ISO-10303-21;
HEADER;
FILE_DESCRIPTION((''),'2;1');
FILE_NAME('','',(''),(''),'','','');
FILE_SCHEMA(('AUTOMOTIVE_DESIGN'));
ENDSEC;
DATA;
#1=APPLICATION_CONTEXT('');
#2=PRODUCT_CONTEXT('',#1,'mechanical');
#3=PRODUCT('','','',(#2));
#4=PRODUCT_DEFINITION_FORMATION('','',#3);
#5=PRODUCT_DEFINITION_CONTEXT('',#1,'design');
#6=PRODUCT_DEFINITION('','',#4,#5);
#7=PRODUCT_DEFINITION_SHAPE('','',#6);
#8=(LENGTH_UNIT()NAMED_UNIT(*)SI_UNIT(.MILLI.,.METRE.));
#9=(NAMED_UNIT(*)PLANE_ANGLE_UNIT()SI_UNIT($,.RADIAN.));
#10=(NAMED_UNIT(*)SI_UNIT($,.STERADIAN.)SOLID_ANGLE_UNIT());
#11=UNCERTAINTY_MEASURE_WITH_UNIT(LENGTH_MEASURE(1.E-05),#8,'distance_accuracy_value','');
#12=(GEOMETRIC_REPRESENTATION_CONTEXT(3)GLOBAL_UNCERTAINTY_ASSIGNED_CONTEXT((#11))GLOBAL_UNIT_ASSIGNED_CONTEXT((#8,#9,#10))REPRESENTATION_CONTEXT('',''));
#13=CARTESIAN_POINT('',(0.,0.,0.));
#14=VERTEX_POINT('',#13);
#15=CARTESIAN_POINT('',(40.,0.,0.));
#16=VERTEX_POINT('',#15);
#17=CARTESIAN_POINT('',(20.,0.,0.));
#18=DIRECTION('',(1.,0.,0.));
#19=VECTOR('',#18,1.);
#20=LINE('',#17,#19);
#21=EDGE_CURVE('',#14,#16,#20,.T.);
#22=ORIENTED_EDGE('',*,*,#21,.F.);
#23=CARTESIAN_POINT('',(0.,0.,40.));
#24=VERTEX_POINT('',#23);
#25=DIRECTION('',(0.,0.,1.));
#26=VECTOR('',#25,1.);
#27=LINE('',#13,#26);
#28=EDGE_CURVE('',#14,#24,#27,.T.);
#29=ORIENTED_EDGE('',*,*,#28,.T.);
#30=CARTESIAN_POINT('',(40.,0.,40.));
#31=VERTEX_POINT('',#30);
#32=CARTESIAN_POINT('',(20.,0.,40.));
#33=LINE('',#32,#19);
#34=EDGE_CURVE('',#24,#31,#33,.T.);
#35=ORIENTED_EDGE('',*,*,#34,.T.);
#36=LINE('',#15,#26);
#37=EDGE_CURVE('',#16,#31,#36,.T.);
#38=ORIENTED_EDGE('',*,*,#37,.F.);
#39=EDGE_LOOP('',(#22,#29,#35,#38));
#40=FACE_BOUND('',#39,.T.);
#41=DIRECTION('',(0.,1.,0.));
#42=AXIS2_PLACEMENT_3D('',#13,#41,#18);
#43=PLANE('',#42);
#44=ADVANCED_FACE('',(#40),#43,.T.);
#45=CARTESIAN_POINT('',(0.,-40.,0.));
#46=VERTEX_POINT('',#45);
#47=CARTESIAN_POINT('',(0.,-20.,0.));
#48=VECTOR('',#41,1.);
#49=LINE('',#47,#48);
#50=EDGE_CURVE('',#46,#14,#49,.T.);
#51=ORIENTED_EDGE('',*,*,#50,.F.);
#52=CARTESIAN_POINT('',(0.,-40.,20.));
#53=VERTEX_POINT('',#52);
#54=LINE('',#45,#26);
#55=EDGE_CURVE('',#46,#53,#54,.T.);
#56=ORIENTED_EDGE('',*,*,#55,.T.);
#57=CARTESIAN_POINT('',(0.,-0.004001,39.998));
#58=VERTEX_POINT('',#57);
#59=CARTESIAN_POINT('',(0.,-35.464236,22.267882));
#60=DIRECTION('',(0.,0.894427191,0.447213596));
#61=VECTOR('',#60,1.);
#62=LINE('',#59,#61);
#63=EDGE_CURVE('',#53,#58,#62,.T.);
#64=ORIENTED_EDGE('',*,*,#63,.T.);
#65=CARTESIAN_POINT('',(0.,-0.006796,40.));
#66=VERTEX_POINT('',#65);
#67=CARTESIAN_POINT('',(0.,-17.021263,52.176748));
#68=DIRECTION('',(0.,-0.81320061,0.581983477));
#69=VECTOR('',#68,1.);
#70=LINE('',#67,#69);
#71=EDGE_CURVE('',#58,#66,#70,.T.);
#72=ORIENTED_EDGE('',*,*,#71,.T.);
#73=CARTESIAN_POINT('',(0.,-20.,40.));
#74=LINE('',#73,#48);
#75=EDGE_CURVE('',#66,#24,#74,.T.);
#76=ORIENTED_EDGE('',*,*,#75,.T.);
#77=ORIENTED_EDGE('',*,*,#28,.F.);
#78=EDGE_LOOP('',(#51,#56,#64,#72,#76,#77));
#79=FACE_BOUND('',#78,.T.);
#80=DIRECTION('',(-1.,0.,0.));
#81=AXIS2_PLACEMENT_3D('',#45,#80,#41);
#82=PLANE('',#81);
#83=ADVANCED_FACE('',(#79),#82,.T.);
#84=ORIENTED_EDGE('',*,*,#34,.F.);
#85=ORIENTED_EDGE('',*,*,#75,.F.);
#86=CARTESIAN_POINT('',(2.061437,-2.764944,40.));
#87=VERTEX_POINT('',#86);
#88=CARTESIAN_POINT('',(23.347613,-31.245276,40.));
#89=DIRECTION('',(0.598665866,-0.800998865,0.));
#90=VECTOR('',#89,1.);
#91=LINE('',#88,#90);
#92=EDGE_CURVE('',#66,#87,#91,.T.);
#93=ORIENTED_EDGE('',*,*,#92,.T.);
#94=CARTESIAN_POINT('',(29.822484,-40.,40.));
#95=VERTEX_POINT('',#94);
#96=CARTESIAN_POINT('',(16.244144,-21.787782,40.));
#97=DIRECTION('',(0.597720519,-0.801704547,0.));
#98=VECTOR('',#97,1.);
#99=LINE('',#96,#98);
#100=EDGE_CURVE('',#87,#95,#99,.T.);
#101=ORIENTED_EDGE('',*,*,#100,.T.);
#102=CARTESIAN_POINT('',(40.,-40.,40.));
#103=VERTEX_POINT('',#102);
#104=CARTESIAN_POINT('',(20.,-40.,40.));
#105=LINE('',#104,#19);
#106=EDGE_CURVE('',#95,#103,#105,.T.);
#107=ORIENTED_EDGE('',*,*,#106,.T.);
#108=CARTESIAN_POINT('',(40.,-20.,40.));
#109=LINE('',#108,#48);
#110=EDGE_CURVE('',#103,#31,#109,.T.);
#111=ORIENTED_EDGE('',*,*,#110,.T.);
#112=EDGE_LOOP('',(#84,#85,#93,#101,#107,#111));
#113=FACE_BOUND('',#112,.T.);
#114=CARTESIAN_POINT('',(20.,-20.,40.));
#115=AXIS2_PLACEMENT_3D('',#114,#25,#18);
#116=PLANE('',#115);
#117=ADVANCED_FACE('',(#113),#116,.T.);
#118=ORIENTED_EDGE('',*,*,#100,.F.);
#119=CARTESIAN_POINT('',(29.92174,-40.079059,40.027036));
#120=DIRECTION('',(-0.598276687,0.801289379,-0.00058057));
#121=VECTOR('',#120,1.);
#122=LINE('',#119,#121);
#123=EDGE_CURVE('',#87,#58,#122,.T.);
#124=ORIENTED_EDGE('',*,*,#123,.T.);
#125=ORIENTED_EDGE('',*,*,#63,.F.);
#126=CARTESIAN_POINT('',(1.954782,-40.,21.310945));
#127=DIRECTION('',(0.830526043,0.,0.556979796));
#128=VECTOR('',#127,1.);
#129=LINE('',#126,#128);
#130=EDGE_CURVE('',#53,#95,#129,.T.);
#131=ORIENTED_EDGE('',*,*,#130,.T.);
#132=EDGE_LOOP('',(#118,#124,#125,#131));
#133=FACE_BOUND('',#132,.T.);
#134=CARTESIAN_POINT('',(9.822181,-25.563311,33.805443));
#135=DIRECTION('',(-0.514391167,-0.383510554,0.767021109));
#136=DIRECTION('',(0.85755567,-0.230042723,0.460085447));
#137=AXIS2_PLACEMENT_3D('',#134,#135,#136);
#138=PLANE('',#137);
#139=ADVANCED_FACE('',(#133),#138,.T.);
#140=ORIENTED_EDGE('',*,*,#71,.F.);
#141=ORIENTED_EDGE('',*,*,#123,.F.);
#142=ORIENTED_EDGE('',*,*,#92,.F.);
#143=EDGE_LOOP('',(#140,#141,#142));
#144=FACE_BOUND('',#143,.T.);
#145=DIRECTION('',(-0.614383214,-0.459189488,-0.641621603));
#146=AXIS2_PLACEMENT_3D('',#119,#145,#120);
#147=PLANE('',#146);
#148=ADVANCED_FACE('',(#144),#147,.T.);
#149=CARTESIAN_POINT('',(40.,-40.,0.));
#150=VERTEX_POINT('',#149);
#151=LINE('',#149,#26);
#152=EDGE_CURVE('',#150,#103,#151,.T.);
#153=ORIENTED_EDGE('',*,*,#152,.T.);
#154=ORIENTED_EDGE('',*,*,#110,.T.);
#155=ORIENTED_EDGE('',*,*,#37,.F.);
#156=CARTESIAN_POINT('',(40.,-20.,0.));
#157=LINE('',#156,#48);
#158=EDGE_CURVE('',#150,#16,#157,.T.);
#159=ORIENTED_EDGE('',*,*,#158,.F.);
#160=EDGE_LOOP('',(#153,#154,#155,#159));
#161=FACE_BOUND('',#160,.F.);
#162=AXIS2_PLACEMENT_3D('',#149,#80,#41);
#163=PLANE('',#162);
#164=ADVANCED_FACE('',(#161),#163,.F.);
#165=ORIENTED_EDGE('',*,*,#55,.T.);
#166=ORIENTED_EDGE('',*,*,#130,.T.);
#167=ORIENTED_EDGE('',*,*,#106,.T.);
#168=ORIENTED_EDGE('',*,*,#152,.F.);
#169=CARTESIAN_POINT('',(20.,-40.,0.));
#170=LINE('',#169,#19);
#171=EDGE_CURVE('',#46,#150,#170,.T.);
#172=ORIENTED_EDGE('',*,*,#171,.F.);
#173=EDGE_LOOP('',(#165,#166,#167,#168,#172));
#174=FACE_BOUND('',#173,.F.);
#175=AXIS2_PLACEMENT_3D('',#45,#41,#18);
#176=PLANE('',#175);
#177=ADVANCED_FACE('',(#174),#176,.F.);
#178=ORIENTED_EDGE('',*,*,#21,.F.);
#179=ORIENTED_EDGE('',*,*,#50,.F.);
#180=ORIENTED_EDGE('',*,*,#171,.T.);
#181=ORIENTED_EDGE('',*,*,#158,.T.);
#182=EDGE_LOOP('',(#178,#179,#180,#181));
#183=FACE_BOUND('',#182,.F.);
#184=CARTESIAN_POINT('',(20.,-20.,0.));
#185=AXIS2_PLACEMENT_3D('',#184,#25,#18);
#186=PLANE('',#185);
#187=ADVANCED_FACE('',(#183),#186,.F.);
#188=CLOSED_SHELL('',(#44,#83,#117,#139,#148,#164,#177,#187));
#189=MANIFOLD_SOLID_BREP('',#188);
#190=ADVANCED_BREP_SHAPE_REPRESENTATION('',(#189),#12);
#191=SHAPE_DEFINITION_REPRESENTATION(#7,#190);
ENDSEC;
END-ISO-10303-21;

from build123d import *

# Parameters (mm, degrees)
F0_W     = 40
F0_H     = 40
F1_DEPTH = 40
F6_DEPTH = 25


with BuildPart() as f1:
    # F0 (on Top) → F1 (new body)
    with BuildSketch(Plane.XY):
        with Locations((20, -20)):
            Rectangle(F0_W, F0_H)
    extrude(amount=F1_DEPTH)

    # F5 (on 3pt) → F6 (cut)
    with BuildSketch(Plane(origin=(-15.7819553426, -11.7664276327, 23.5328552655), x_dir=(0.8575556699, -0.2300427234, 0.4600854468), z_dir=(-0.5143911673, -0.3835105545, 0.767021109))):
        Polygon((18.3413363993, -26.9343983382), (53.2953105867, -17.9471652955), (18.4012800455, 17.8862661123), align=None)
    extrude(amount=F6_DEPTH, mode=Mode.SUBTRACT)


solid = f1.part
